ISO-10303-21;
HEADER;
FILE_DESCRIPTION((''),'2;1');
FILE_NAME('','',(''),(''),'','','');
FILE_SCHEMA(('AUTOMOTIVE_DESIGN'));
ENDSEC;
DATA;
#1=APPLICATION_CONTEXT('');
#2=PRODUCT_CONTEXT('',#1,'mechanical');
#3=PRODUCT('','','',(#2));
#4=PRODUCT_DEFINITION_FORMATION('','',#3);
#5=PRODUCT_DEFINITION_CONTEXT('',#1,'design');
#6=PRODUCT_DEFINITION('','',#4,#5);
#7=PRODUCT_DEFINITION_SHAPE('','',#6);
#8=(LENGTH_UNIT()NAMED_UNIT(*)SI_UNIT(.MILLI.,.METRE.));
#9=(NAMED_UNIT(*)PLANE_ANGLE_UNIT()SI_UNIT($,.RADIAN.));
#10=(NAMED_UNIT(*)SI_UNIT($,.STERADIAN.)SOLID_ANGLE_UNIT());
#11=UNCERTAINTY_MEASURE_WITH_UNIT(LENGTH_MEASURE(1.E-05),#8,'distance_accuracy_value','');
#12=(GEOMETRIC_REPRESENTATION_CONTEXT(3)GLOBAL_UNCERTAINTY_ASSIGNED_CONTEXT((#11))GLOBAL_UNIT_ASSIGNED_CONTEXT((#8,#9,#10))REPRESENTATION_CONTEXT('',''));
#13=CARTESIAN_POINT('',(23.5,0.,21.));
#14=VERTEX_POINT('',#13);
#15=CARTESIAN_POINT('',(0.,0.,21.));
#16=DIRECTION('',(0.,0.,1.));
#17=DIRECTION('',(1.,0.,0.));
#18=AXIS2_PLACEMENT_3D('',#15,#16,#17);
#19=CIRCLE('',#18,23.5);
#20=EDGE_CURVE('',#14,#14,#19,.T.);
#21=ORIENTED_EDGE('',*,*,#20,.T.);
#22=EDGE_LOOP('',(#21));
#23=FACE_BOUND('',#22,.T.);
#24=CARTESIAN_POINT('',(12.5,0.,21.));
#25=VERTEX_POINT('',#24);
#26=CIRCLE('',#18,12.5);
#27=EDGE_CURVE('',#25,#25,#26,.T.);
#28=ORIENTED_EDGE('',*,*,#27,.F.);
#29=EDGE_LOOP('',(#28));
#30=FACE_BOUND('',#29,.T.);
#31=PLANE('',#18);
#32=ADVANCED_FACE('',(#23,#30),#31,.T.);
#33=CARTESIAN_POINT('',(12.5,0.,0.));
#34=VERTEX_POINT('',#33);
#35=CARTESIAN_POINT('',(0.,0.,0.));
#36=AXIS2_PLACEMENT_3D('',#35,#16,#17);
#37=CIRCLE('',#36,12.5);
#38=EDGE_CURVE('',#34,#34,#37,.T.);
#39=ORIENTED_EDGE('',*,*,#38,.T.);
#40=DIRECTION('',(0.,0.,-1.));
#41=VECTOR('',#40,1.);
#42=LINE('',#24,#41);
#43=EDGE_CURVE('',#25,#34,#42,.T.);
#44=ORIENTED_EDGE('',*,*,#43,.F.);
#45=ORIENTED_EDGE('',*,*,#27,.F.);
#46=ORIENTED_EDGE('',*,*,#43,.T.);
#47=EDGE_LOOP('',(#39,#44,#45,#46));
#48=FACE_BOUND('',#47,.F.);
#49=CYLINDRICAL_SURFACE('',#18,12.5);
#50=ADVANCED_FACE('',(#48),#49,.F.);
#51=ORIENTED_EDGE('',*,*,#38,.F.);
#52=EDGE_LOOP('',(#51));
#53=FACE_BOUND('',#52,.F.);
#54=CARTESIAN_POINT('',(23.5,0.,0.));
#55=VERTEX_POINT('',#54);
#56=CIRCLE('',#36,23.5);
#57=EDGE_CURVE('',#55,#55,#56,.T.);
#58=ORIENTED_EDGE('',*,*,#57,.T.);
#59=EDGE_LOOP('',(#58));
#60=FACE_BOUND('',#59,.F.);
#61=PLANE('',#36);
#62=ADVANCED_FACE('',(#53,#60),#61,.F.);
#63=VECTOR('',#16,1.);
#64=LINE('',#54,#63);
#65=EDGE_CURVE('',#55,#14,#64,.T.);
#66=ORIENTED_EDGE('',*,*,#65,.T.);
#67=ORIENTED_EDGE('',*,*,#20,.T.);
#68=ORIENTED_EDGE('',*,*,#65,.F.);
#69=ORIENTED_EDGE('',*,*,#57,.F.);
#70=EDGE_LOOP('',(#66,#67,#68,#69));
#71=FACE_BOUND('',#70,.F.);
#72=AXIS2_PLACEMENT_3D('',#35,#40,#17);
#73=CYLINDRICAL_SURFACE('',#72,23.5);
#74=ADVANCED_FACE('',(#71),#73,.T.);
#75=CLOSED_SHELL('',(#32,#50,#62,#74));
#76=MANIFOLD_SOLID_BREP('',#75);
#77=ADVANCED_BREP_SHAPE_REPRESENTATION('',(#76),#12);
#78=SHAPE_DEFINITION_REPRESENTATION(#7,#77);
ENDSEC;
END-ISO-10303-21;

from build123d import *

# Parameters (mm, degrees)
CYLINDER_R     = 23.5
CYLINDER_DEPTH = 21
SKETCH_R       = 12.5
POCKET_DEPTH   = 21


with BuildPart() as part:
    # Cylinder → Cylinder (new body)
    with BuildSketch(Plane.XY):
        Circle(CYLINDER_R)
    extrude(amount=CYLINDER_DEPTH)

    # Sketch → Pocket (cut)
    with BuildSketch(Plane.XY.offset(21)):
        Circle(SKETCH_R)
    extrude(amount=-POCKET_DEPTH, mode=Mode.SUBTRACT)


solid = part.part
